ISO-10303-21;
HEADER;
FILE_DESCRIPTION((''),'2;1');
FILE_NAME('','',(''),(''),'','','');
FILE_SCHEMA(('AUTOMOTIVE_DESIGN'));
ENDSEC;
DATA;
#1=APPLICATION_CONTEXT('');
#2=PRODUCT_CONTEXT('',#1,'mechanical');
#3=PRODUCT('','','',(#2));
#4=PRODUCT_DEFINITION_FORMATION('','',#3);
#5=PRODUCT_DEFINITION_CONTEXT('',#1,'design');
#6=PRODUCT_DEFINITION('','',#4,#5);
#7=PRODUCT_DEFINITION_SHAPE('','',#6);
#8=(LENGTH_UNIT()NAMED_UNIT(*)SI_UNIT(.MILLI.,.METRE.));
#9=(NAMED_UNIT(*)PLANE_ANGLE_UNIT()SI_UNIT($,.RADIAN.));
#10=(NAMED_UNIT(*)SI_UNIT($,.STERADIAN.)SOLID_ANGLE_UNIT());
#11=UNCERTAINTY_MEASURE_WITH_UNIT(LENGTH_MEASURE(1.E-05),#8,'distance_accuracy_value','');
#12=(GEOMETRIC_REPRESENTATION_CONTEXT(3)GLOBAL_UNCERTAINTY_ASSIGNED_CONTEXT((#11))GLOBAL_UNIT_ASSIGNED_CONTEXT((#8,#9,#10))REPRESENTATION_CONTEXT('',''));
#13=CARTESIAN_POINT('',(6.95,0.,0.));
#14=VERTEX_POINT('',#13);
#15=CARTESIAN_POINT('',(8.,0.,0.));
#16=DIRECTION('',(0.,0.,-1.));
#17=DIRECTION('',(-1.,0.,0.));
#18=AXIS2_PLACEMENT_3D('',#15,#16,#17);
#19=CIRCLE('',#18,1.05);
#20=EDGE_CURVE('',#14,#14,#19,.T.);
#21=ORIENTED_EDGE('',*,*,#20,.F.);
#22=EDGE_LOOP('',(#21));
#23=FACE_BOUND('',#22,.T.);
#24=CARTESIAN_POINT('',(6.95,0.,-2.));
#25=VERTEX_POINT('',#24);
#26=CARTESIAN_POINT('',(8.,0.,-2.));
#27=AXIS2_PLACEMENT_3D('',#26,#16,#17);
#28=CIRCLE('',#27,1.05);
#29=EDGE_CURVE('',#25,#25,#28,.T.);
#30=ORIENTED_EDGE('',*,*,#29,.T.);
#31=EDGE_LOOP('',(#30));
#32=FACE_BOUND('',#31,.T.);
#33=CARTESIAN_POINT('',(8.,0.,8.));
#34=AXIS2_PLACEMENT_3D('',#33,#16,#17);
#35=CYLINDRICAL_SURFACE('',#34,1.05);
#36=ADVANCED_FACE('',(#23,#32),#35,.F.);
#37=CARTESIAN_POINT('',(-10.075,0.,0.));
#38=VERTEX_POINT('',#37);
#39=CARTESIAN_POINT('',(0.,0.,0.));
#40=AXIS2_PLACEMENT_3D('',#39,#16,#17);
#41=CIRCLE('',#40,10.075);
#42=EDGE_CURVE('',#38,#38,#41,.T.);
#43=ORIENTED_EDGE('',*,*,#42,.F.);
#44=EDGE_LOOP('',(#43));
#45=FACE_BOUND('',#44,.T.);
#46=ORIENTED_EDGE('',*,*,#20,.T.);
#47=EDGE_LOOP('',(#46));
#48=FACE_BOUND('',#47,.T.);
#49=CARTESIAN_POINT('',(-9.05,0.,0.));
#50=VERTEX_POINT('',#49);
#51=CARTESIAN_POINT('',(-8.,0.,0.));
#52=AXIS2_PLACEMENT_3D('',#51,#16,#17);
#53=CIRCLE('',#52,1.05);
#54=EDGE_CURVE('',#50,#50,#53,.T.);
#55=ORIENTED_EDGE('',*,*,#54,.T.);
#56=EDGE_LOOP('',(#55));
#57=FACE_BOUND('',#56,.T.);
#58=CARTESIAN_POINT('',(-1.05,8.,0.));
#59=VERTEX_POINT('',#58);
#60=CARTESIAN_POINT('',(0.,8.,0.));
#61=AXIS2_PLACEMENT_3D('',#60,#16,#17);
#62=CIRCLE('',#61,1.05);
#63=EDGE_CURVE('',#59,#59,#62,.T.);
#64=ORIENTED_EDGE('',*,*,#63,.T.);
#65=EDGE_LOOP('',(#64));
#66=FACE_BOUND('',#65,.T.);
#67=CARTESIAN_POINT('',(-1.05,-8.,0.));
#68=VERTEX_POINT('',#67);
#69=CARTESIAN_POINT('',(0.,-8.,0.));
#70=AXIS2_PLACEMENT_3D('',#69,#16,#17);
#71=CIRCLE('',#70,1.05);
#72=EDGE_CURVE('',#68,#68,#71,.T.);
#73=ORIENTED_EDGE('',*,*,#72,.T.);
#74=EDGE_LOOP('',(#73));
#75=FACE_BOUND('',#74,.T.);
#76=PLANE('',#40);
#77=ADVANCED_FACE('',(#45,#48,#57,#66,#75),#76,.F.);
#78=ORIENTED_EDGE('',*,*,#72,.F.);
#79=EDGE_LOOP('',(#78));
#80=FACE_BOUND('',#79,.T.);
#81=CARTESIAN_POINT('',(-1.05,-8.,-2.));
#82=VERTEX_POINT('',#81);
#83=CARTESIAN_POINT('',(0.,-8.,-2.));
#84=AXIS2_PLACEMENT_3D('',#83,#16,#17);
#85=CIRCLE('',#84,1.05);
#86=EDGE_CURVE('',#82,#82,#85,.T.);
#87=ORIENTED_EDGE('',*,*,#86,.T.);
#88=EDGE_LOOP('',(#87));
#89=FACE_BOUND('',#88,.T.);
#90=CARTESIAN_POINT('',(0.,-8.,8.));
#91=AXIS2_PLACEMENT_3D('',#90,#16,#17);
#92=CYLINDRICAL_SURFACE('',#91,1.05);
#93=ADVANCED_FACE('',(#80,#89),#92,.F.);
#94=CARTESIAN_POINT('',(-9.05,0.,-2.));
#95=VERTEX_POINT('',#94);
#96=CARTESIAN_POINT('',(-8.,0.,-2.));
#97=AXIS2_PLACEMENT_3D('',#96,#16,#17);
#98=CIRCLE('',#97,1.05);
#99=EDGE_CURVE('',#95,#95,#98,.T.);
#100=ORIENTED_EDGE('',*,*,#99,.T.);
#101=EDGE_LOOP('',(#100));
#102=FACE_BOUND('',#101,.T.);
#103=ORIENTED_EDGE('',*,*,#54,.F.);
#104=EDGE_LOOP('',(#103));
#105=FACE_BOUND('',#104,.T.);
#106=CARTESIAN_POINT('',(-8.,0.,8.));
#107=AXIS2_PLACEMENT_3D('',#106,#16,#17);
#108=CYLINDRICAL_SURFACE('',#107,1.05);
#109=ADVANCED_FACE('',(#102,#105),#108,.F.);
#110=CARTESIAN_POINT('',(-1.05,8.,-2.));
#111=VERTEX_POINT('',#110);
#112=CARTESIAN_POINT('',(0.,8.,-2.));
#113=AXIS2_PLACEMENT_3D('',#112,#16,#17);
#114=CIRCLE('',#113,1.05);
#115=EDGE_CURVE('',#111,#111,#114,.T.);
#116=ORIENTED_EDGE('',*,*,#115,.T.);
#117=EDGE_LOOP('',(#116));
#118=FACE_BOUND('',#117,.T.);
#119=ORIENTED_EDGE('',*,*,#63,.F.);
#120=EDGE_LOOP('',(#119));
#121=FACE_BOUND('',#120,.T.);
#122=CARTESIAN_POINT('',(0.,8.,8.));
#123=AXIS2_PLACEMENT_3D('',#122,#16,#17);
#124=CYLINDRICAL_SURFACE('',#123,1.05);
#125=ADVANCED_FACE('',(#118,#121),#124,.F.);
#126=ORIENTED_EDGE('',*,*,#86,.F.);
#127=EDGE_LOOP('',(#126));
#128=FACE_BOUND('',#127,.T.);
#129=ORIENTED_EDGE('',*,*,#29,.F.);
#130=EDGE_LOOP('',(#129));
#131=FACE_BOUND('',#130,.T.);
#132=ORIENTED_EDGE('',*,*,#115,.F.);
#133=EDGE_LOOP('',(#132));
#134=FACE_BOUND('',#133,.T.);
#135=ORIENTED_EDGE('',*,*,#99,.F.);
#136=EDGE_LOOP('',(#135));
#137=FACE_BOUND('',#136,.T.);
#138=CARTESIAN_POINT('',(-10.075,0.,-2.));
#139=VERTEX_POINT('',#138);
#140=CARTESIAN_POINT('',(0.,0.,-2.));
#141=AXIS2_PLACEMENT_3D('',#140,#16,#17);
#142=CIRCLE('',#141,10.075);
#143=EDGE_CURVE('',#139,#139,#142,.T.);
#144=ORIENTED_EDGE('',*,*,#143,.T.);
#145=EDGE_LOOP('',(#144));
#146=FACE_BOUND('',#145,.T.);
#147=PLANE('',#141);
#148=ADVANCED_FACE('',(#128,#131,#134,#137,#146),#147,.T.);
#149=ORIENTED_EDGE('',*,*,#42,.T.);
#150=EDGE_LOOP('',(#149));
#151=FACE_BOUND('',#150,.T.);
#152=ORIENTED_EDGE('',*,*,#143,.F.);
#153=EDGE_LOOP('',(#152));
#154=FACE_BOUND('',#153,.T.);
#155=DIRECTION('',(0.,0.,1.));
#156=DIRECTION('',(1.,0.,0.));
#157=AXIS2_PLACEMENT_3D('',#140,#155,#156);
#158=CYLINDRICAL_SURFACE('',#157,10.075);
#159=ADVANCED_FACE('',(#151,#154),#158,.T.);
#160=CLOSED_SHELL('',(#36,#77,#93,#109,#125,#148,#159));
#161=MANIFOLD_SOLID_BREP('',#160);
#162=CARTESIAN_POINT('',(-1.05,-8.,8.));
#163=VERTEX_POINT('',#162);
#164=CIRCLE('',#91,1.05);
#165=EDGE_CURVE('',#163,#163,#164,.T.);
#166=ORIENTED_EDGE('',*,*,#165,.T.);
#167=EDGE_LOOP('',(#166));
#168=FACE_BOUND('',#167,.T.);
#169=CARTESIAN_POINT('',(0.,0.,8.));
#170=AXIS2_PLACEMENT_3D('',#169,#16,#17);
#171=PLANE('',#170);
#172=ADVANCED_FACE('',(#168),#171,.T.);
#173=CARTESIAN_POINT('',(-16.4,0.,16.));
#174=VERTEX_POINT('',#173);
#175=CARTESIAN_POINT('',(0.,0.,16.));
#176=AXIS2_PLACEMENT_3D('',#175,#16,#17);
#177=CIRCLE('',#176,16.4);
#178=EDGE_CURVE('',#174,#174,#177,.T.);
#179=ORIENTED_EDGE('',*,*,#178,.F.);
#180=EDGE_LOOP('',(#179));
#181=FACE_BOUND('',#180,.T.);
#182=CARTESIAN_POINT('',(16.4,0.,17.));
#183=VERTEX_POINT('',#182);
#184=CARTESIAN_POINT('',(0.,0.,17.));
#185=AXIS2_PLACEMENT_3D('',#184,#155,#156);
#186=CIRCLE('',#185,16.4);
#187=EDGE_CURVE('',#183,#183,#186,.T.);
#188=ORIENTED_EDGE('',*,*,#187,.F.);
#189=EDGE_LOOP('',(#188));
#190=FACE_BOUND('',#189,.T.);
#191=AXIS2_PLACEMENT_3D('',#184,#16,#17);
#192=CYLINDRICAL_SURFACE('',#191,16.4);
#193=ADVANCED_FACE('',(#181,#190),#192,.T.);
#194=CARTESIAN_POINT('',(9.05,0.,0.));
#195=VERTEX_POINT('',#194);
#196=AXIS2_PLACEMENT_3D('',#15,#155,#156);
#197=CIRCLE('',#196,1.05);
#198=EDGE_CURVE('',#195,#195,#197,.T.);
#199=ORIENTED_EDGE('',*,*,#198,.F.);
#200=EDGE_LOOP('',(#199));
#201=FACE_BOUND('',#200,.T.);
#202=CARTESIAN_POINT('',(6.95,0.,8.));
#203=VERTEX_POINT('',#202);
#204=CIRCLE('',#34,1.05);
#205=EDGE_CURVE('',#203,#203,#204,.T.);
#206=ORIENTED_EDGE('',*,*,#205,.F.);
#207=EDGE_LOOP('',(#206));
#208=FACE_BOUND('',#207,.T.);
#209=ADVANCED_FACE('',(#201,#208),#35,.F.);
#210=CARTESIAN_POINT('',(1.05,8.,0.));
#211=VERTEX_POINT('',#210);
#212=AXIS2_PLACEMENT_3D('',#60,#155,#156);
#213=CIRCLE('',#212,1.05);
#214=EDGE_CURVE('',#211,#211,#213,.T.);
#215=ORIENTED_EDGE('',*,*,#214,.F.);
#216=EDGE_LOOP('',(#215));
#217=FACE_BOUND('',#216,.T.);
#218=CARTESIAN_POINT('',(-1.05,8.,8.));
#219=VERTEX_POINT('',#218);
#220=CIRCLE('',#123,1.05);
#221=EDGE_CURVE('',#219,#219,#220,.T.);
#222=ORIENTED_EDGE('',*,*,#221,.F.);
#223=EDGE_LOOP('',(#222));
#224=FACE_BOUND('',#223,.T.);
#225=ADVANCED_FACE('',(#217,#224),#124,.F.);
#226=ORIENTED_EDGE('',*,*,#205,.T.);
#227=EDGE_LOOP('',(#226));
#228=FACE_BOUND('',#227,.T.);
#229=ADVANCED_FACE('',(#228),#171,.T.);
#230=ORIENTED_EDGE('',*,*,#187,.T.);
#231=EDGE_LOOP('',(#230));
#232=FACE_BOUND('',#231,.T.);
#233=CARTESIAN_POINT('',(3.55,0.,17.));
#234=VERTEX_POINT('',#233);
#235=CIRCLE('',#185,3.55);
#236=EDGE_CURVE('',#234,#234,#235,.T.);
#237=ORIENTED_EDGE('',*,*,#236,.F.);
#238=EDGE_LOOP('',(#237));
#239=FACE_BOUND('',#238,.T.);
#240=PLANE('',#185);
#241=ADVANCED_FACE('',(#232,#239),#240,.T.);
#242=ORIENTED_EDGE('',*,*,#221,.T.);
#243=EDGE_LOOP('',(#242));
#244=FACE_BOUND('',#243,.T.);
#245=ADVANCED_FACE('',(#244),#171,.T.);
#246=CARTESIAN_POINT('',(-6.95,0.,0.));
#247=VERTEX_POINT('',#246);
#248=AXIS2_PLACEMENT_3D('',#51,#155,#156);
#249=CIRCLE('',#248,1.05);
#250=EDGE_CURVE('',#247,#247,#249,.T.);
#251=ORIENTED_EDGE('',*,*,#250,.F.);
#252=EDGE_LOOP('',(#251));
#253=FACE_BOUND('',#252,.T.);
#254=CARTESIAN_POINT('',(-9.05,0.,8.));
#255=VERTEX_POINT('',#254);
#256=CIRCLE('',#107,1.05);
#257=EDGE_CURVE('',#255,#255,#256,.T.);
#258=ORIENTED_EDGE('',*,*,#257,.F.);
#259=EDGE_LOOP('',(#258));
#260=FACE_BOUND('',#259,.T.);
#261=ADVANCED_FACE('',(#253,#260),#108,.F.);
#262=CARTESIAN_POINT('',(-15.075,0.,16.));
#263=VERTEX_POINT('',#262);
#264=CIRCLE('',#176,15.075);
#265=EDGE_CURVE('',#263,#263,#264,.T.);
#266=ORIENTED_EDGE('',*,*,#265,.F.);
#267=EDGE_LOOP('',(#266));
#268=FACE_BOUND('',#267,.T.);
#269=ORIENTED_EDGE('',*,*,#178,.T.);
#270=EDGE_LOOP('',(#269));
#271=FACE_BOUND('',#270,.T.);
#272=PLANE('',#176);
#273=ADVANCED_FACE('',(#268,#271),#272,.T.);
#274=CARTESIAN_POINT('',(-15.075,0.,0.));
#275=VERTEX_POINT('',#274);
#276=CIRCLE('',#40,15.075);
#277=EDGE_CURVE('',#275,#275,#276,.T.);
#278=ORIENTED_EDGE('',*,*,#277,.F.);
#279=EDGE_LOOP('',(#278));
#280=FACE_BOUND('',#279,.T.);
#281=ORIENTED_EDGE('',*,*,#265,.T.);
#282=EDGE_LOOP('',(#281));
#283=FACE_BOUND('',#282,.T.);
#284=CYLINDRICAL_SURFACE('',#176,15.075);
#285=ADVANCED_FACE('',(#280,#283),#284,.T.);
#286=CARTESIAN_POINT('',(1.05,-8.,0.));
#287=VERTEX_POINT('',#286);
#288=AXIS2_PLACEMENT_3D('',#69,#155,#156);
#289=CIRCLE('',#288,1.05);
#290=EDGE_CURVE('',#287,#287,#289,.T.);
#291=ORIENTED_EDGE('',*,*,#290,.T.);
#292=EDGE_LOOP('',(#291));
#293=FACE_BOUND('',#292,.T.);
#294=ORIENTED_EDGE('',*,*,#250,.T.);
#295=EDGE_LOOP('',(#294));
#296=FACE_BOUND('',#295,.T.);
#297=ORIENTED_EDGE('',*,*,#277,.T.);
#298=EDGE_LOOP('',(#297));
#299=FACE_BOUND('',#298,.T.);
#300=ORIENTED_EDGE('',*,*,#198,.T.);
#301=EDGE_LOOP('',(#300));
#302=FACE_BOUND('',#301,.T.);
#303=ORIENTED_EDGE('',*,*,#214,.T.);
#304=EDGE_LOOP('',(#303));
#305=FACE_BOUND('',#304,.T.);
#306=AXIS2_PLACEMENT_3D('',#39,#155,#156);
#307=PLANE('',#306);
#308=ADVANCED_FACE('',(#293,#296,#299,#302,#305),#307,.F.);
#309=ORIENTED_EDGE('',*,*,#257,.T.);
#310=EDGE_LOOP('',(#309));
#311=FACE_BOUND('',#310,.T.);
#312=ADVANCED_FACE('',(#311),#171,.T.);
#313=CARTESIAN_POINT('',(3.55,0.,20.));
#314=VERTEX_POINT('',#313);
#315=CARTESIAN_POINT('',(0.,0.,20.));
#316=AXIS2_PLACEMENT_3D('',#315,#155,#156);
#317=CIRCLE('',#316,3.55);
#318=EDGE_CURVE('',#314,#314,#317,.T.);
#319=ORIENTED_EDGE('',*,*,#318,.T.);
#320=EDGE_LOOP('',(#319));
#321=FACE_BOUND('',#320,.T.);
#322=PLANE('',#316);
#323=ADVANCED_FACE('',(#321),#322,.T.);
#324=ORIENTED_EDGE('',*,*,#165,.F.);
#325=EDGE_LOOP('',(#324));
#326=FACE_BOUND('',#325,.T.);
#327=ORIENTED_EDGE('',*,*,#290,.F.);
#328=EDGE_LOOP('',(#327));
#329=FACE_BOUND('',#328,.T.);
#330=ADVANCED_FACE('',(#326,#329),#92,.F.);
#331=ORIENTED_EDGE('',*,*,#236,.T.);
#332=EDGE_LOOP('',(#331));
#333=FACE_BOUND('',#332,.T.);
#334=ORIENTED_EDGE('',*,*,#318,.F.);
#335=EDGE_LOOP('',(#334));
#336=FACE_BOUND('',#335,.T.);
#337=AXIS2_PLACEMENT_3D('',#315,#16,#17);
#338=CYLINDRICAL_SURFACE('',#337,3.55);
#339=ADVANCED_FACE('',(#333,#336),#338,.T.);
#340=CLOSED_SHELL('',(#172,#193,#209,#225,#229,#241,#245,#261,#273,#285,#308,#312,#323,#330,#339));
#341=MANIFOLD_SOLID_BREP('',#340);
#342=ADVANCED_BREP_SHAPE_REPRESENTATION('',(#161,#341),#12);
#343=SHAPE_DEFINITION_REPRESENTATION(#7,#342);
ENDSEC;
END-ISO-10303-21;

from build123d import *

# Parameters (mm, degrees)
SKETCH_1_R          = 16.4
EXTRUDE_1_DEPTH     = 17
SKETCH_2_R          = 3.55
EXTRUDE_2_DEPTH     = 3
SKETCH_3_R          = 10.075
EXTRUDE_3_DEPTH     = 2
SKETCH_7_R          = 1.05
CUT_EXTRUDE_3_DEPTH = 10
SKETCH3_R           = 16.4
SKETCH3_R_2         = 15.075
CUT_EXTRUDE1_DEPTH  = 16


with BuildPart() as part:
    # 草图1 → 凸台-拉伸1 (new body)
    with BuildSketch(Plane.XY):
        Circle(SKETCH_1_R)
    extrude(amount=EXTRUDE_1_DEPTH)

    # 草图2 → 凸台-拉伸2 (add)
    with BuildSketch(Plane.XY.offset(17)):
        Circle(SKETCH_2_R)
    extrude(amount=EXTRUDE_2_DEPTH)


with BuildPart() as body_2:
    # 草图3 → 凸台-拉伸3 (new body)
    with BuildSketch(Plane(origin=(0, 0, 0), x_dir=(-1, 0, 0), z_dir=(0, 0, -1))):
        Circle(SKETCH_3_R)
    extrude(amount=EXTRUDE_3_DEPTH)


with BuildPart() as cut_extrude_3_tool:
    # 草图7 → 切除-拉伸3 (new body)
    with BuildSketch(Plane(origin=(0, 0, -2), x_dir=(-1, 0, 0), z_dir=(0, 0, -1))):
        with Locations((0, 8)):
            Circle(SKETCH_7_R)
        with Locations((8, 0)):
            Circle(SKETCH_7_R)
        with Locations((0, -8)):
            Circle(SKETCH_7_R)
        with Locations((-8, 0)):
            Circle(SKETCH_7_R)
    extrude(amount=-CUT_EXTRUDE_3_DEPTH)


with BuildPart() as part_1:
    add(part.part)

    # 切除-拉伸3: cut by cut_extrude_3_tool
    add(cut_extrude_3_tool.part, mode=Mode.SUBTRACT)

    # Sketch3 → Cut-Extrude1 (cut)
    with BuildSketch(Plane(origin=(0, 0, 0), x_dir=(-1, 0, 0), z_dir=(0, 0, -1))):
        Circle(SKETCH3_R)
        Circle(SKETCH3_R_2, mode=Mode.SUBTRACT)
    extrude(amount=-CUT_EXTRUDE1_DEPTH, mode=Mode.SUBTRACT)


with BuildPart() as body_2_1:
    add(body_2.part)

    # 切除-拉伸3: cut by cut_extrude_3_tool
    add(cut_extrude_3_tool.part, mode=Mode.SUBTRACT)


solid = Compound([part_1.part, body_2_1.part])
